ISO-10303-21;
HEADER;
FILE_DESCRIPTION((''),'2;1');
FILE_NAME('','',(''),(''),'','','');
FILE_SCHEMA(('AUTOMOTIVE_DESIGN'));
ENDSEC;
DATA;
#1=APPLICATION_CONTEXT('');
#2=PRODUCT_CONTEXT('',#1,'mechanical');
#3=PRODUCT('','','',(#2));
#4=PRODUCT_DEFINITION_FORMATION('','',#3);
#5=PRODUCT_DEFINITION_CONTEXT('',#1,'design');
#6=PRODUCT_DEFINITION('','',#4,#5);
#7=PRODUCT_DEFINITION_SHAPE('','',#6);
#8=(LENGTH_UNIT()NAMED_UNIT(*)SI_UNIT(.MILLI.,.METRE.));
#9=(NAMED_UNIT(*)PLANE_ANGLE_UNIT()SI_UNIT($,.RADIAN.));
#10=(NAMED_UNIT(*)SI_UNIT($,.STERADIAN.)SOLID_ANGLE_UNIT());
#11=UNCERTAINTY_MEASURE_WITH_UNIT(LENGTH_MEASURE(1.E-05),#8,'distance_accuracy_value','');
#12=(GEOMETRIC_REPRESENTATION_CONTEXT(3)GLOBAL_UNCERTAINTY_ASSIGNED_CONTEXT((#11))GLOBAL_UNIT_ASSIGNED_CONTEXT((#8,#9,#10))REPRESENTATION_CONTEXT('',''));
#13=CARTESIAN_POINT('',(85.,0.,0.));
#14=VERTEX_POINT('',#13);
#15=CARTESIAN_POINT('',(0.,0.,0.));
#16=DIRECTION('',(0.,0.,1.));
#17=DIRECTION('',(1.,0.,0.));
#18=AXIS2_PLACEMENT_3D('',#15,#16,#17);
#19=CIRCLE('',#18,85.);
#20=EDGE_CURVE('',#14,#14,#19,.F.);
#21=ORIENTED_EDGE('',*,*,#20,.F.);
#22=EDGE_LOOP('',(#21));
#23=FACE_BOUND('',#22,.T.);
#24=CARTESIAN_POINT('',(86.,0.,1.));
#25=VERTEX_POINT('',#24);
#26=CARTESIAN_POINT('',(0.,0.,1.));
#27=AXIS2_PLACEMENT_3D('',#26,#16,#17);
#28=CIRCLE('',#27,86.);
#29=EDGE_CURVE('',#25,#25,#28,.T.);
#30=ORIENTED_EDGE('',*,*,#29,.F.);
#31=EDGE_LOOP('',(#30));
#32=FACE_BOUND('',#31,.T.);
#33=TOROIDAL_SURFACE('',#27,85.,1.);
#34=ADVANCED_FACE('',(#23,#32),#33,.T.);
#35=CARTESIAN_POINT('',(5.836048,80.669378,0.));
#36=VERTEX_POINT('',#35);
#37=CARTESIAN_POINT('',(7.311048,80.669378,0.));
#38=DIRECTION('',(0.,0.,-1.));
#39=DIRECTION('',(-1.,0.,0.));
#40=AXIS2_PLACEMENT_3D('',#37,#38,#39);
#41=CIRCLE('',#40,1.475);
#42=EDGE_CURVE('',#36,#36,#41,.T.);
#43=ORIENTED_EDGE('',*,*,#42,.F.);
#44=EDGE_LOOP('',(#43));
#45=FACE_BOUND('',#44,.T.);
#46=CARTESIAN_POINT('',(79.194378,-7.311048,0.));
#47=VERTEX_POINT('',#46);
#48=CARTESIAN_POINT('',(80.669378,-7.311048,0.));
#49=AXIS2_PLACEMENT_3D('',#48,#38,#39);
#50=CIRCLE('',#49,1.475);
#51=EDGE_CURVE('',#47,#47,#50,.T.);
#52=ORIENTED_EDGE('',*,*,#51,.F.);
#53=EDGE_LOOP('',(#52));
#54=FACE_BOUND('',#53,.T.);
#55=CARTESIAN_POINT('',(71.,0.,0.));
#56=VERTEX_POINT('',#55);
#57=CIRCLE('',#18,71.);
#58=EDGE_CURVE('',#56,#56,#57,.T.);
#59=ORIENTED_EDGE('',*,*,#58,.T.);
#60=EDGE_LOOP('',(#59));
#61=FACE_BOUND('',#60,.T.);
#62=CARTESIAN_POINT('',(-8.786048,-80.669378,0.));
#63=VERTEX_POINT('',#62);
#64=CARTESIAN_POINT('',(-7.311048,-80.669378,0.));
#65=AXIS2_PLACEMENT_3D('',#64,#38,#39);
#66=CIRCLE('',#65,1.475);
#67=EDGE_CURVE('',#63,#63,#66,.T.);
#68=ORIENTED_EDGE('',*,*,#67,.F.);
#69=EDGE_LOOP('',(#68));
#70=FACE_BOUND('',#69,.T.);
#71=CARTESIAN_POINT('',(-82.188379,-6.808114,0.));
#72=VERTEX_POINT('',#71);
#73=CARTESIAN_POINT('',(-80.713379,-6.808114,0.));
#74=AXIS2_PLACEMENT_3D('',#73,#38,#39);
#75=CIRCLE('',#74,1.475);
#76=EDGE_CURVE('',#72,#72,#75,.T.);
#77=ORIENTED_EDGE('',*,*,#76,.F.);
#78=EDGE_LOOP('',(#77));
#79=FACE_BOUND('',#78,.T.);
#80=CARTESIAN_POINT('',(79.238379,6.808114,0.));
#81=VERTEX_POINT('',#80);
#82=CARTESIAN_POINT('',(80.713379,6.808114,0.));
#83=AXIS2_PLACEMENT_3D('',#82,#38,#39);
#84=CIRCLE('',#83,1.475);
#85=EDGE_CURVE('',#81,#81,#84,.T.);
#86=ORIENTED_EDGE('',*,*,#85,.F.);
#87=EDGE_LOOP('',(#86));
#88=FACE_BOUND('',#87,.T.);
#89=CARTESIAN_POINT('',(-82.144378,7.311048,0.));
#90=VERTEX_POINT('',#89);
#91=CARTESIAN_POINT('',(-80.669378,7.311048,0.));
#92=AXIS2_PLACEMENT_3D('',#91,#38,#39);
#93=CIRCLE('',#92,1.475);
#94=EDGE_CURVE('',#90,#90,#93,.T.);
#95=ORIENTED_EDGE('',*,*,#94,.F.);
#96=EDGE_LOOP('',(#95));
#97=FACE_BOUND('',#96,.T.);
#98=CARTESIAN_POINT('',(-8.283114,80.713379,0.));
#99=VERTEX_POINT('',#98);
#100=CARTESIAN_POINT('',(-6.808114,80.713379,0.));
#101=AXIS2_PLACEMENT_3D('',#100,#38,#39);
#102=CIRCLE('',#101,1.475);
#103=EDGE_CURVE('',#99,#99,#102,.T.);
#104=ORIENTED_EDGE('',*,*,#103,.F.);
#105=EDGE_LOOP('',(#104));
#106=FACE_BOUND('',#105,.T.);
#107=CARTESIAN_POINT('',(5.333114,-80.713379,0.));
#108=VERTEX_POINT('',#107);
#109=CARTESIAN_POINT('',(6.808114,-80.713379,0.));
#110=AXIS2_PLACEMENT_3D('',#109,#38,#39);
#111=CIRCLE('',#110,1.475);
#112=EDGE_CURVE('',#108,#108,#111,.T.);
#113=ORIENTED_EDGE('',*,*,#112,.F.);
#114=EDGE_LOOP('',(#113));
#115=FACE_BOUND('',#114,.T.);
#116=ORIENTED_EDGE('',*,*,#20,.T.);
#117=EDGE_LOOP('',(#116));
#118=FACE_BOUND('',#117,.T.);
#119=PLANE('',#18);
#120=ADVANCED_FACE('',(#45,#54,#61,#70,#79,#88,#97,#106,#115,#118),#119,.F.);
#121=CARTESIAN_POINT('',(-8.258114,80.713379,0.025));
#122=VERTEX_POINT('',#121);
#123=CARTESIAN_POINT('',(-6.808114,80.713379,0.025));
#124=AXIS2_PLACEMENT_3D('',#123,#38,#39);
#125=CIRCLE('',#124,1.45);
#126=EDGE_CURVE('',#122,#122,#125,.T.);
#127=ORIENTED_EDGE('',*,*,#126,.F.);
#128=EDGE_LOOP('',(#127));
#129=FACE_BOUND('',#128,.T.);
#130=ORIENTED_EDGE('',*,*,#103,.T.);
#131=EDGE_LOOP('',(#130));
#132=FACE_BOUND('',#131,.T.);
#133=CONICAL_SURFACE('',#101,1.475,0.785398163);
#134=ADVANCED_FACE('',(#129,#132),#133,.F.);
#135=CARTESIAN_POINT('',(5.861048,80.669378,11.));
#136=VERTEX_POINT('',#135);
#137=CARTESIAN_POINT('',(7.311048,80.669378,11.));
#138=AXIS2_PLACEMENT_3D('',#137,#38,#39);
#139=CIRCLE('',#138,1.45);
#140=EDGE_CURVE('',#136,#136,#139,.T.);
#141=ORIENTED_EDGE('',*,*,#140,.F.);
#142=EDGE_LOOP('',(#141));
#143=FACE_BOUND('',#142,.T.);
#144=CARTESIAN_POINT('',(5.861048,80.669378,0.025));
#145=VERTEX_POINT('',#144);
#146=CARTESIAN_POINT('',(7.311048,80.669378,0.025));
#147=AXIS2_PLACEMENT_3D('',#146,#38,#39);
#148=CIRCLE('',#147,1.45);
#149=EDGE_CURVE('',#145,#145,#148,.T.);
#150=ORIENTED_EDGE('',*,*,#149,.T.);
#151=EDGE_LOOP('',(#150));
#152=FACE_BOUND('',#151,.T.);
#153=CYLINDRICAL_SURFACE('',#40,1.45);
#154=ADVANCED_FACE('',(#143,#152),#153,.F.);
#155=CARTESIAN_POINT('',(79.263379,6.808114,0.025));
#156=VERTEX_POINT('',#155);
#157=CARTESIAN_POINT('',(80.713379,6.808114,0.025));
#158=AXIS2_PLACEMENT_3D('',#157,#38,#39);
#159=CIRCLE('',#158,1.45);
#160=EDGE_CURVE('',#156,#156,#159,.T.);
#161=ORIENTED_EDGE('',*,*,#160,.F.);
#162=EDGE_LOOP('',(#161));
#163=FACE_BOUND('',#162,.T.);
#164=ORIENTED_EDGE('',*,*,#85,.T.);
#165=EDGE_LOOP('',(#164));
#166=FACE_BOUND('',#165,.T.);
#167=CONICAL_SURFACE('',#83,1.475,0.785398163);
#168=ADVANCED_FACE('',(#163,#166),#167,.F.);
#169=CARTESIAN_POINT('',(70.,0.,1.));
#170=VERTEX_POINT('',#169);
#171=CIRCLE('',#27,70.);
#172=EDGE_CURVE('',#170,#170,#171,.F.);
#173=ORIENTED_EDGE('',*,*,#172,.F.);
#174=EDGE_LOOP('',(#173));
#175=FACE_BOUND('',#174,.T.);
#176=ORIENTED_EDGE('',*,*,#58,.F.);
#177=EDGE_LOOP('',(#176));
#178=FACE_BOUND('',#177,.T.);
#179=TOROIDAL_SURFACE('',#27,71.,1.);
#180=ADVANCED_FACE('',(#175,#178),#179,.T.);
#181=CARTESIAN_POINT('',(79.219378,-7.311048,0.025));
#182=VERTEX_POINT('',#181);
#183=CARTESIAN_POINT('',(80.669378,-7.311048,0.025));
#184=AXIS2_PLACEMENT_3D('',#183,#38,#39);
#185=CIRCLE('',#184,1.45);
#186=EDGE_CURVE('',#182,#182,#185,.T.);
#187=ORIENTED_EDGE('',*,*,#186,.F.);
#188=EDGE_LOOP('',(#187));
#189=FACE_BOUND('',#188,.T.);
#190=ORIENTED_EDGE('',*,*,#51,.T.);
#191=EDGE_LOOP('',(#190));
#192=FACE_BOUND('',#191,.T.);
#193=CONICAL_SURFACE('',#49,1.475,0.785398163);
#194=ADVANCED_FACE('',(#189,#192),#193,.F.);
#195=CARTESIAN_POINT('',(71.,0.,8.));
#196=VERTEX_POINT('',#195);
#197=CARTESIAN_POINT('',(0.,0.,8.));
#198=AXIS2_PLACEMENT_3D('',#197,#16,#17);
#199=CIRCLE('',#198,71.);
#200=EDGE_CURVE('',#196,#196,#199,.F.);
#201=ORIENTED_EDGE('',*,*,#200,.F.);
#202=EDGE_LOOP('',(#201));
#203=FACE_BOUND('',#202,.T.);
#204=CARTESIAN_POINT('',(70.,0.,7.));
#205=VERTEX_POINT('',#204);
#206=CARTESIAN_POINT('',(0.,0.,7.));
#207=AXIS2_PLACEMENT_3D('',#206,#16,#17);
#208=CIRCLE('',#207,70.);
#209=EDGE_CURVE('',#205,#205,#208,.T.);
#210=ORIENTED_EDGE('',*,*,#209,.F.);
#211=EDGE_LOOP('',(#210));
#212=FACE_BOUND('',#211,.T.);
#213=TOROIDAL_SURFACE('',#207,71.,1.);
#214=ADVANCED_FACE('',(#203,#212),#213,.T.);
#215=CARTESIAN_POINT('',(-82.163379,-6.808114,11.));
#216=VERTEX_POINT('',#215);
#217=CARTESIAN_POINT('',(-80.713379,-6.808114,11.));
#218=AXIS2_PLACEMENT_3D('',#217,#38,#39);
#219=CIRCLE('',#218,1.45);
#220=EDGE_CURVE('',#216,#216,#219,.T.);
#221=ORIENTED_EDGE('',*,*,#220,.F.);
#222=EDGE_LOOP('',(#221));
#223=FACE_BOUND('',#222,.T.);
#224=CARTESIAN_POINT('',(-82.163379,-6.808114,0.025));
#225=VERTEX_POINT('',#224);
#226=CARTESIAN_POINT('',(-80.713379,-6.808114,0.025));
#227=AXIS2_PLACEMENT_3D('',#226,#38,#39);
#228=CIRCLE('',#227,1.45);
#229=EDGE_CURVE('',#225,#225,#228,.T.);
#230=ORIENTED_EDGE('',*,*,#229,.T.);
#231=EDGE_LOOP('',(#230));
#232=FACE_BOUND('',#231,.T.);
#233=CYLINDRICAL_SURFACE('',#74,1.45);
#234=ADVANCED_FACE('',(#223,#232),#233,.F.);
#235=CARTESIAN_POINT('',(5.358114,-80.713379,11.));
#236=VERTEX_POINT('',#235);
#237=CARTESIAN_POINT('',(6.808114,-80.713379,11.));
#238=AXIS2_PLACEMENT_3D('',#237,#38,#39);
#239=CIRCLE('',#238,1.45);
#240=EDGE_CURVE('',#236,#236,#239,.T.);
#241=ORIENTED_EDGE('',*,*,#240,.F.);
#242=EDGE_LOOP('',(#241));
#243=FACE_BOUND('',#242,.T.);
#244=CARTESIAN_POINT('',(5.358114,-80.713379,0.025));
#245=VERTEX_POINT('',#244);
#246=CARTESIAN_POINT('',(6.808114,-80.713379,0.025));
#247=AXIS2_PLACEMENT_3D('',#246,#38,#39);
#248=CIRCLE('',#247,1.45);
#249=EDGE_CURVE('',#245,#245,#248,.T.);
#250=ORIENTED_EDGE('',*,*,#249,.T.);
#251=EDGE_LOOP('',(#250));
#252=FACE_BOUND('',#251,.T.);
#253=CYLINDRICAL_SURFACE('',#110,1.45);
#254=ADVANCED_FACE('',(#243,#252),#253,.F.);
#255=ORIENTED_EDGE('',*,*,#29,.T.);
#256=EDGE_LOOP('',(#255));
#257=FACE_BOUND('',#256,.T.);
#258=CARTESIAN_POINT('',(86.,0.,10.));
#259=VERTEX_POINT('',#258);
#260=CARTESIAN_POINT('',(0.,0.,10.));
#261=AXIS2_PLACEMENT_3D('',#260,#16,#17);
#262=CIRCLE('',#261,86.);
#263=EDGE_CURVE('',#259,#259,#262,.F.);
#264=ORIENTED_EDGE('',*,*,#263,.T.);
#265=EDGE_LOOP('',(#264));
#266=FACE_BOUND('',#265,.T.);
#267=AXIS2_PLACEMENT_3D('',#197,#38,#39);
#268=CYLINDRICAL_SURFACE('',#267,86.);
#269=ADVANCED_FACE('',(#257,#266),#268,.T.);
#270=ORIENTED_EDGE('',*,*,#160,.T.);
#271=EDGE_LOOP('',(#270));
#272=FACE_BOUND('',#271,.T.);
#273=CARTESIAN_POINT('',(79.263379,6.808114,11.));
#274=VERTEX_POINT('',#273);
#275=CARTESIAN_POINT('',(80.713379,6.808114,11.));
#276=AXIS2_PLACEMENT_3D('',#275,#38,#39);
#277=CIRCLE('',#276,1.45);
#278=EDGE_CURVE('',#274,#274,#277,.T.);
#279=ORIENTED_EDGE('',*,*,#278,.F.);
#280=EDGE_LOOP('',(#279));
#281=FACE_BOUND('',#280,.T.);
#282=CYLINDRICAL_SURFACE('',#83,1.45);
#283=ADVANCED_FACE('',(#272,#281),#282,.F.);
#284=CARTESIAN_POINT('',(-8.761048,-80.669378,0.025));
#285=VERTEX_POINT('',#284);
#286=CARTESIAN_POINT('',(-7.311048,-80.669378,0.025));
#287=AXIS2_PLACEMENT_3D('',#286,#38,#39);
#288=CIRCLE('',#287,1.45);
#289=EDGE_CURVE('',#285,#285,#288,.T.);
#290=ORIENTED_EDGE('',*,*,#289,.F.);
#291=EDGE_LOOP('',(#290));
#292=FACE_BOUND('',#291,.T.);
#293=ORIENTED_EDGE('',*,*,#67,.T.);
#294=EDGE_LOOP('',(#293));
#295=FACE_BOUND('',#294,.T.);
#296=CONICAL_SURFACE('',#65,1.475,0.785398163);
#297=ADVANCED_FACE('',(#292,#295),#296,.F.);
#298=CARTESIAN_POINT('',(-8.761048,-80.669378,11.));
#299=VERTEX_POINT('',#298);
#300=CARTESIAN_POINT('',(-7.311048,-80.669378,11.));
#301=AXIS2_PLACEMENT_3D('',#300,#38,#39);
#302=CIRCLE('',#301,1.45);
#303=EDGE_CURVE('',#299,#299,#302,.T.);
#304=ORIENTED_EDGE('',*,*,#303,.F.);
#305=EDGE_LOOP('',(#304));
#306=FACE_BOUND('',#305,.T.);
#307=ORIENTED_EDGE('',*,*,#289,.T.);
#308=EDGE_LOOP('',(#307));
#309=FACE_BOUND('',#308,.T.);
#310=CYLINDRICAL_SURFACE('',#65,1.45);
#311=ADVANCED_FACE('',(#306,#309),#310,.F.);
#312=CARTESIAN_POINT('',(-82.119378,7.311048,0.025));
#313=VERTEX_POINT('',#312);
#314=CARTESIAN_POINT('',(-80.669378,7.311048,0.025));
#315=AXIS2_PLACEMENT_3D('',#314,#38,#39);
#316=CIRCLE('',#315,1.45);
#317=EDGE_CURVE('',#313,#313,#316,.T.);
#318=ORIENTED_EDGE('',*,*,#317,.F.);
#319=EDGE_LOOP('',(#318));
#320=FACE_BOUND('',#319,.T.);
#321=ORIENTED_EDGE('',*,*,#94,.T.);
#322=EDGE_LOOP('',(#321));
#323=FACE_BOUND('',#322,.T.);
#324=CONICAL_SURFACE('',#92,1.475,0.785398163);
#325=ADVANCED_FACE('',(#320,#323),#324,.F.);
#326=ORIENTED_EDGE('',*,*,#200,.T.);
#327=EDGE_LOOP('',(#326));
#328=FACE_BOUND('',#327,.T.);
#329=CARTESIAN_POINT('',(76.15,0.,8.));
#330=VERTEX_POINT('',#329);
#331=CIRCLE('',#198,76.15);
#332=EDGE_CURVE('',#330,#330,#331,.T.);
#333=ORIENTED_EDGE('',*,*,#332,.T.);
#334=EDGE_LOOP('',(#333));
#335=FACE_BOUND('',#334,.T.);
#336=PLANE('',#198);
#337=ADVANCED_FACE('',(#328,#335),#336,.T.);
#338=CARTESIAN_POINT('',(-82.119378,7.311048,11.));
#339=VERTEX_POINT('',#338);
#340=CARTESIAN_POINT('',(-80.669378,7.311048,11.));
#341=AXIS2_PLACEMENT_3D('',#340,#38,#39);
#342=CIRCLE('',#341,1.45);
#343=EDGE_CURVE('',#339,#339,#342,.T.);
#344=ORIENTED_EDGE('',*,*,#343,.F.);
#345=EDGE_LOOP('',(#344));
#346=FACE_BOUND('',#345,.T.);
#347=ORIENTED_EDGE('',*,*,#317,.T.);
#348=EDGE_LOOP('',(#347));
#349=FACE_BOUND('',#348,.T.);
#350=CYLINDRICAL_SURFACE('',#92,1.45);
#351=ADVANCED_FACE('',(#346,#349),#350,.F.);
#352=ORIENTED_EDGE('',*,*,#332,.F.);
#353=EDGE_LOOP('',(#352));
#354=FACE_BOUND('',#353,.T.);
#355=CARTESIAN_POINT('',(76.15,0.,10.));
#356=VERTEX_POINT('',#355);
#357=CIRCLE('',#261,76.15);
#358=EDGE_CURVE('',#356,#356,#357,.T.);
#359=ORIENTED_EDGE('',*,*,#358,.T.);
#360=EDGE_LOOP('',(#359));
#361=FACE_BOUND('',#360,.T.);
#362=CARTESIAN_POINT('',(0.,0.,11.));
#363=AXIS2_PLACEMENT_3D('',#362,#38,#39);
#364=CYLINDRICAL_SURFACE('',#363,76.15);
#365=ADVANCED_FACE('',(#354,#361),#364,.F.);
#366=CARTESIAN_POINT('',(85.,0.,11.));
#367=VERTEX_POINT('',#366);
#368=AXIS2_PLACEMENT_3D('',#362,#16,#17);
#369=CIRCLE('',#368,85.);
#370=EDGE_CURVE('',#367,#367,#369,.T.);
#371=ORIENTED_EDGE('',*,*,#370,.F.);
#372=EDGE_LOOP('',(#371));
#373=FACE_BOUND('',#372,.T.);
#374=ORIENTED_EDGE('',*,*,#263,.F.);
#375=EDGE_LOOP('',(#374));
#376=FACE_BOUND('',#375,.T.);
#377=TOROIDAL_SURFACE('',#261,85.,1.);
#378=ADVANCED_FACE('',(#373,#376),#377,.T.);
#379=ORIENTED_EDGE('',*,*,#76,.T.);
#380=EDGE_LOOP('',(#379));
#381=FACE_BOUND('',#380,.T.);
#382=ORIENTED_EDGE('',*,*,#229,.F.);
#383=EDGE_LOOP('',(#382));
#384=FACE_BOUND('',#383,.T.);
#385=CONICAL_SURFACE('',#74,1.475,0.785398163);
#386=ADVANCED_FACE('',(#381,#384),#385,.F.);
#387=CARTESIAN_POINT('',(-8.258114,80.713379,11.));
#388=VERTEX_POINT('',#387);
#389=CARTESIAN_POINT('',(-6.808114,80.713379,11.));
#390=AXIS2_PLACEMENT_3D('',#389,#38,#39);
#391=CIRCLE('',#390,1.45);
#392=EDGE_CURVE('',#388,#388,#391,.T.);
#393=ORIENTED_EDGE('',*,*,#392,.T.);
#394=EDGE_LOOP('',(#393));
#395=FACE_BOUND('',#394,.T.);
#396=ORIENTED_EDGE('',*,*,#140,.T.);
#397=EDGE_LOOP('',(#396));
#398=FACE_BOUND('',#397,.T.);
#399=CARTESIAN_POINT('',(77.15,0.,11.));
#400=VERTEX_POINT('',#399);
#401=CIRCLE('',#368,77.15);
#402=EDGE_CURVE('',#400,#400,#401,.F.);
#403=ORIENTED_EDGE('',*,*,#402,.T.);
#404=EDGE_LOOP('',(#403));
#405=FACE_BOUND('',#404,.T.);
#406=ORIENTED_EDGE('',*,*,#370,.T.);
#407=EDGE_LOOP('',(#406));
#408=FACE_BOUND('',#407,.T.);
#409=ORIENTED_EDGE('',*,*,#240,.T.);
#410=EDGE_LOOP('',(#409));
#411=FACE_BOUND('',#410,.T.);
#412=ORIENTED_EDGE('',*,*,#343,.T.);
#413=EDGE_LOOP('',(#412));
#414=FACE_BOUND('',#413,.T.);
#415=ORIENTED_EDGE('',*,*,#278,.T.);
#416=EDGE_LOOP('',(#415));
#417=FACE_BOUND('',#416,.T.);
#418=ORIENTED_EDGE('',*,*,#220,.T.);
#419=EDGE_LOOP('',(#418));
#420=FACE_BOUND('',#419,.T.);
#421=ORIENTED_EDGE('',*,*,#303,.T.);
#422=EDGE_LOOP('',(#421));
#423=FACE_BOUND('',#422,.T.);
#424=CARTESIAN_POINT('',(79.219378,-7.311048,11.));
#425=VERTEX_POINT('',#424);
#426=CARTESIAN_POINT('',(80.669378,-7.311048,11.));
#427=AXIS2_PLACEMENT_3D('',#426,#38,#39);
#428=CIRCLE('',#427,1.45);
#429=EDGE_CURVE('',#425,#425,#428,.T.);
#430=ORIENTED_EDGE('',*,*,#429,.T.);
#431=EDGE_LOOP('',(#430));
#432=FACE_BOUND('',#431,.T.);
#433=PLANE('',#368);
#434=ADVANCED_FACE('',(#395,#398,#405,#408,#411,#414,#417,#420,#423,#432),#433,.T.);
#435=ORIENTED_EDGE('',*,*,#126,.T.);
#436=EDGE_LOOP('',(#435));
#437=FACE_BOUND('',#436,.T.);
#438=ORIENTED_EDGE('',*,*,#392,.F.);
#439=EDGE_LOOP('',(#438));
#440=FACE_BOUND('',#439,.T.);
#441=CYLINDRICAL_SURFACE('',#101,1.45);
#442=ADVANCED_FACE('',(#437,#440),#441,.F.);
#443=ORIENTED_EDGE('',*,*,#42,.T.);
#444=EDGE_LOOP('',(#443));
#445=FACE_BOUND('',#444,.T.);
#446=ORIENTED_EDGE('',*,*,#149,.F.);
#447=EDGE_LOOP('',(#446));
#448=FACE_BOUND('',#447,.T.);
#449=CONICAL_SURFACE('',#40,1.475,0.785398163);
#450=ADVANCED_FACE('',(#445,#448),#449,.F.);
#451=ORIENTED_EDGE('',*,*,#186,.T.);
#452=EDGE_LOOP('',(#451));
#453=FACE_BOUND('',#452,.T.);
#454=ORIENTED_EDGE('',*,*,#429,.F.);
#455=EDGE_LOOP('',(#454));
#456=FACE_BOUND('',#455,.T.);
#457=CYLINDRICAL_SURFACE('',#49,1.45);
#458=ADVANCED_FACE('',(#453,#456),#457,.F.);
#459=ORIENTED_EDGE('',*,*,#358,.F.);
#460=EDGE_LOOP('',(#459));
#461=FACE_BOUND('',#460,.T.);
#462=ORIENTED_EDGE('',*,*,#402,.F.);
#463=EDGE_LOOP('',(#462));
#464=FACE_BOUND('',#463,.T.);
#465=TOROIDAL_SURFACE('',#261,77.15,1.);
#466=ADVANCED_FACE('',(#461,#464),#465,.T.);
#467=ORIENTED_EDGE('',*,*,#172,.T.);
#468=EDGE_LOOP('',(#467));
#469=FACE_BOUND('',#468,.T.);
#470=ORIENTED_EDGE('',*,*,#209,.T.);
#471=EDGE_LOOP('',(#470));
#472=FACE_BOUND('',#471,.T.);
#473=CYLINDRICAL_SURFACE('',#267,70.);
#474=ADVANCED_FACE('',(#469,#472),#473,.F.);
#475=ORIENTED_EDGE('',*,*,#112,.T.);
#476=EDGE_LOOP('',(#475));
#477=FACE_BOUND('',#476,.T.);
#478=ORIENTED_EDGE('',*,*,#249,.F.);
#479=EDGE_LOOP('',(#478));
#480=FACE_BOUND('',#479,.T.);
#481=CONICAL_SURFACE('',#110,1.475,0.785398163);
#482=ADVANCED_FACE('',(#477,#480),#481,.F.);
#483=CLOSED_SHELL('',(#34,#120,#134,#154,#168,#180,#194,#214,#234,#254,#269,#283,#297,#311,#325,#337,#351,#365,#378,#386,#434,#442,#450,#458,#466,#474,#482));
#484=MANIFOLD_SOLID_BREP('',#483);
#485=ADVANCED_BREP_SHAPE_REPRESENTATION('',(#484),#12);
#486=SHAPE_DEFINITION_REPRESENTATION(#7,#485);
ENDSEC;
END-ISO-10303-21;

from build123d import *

# Parameters (mm, degrees)
SKETCH_1_R                     = 86
SKETCH_1_R_2                   = 70
EXTRUDE_1_DEPTH                = 8
SKETCH_2_R                     = 86
SKETCH_2_R_2                   = 76.15
EXTRUDE_2_DEPTH                = 3
FILLET_1_R                     = 1
HOLE_WIZARD_M2_5_1_D           = 2.9
HOLE_WIZARD_M2_5_1_CSINK_D     = 2.95
HOLE_WIZARD_M2_5_1_CSINK_ANGLE = 90


with BuildPart() as part:
    # 草图1 → 凸台-拉伸1 (new body)
    with BuildSketch(Plane.XY):
        Circle(SKETCH_1_R)
        Circle(SKETCH_1_R_2, mode=Mode.SUBTRACT)
    extrude(amount=EXTRUDE_1_DEPTH)

    # 草图2 → 凸台-拉伸2 (add)
    with BuildSketch(Plane.XY.offset(8)):
        Circle(SKETCH_2_R)
        Circle(SKETCH_2_R_2, mode=Mode.SUBTRACT)
    extrude(amount=EXTRUDE_2_DEPTH)

    # 圆角1
    fillet_1_edges = [part.edges().sort_by_distance(p)[0] for p in [
        (-86, 0, 11),
        (-76.15, 0, 11),
        (-86, 0, 0),
        (-70, 0, 0),
        (-70, 0, 8),
    ]]
    fillet(fillet_1_edges, radius=FILLET_1_R)

    # M2.5 间隙孔1 (through all)
    with Locations(Plane(origin=(0, 0, 0), x_dir=(-1, 0, 0), z_dir=(0, 0, -1))):
        with Locations((6.808114054, 80.713379207), (-7.311047709, 80.669378214), (80.713379207, -6.808114054), (80.669378214, 7.311047709), (-6.808114054, -80.713379207), (7.311047709, -80.669378214), (-80.713379207, 6.808114054), (-80.669378214, -7.311047709)):
            CounterSinkHole(HOLE_WIZARD_M2_5_1_D / 2, HOLE_WIZARD_M2_5_1_CSINK_D / 2, counter_sink_angle=HOLE_WIZARD_M2_5_1_CSINK_ANGLE)


solid = part.part
